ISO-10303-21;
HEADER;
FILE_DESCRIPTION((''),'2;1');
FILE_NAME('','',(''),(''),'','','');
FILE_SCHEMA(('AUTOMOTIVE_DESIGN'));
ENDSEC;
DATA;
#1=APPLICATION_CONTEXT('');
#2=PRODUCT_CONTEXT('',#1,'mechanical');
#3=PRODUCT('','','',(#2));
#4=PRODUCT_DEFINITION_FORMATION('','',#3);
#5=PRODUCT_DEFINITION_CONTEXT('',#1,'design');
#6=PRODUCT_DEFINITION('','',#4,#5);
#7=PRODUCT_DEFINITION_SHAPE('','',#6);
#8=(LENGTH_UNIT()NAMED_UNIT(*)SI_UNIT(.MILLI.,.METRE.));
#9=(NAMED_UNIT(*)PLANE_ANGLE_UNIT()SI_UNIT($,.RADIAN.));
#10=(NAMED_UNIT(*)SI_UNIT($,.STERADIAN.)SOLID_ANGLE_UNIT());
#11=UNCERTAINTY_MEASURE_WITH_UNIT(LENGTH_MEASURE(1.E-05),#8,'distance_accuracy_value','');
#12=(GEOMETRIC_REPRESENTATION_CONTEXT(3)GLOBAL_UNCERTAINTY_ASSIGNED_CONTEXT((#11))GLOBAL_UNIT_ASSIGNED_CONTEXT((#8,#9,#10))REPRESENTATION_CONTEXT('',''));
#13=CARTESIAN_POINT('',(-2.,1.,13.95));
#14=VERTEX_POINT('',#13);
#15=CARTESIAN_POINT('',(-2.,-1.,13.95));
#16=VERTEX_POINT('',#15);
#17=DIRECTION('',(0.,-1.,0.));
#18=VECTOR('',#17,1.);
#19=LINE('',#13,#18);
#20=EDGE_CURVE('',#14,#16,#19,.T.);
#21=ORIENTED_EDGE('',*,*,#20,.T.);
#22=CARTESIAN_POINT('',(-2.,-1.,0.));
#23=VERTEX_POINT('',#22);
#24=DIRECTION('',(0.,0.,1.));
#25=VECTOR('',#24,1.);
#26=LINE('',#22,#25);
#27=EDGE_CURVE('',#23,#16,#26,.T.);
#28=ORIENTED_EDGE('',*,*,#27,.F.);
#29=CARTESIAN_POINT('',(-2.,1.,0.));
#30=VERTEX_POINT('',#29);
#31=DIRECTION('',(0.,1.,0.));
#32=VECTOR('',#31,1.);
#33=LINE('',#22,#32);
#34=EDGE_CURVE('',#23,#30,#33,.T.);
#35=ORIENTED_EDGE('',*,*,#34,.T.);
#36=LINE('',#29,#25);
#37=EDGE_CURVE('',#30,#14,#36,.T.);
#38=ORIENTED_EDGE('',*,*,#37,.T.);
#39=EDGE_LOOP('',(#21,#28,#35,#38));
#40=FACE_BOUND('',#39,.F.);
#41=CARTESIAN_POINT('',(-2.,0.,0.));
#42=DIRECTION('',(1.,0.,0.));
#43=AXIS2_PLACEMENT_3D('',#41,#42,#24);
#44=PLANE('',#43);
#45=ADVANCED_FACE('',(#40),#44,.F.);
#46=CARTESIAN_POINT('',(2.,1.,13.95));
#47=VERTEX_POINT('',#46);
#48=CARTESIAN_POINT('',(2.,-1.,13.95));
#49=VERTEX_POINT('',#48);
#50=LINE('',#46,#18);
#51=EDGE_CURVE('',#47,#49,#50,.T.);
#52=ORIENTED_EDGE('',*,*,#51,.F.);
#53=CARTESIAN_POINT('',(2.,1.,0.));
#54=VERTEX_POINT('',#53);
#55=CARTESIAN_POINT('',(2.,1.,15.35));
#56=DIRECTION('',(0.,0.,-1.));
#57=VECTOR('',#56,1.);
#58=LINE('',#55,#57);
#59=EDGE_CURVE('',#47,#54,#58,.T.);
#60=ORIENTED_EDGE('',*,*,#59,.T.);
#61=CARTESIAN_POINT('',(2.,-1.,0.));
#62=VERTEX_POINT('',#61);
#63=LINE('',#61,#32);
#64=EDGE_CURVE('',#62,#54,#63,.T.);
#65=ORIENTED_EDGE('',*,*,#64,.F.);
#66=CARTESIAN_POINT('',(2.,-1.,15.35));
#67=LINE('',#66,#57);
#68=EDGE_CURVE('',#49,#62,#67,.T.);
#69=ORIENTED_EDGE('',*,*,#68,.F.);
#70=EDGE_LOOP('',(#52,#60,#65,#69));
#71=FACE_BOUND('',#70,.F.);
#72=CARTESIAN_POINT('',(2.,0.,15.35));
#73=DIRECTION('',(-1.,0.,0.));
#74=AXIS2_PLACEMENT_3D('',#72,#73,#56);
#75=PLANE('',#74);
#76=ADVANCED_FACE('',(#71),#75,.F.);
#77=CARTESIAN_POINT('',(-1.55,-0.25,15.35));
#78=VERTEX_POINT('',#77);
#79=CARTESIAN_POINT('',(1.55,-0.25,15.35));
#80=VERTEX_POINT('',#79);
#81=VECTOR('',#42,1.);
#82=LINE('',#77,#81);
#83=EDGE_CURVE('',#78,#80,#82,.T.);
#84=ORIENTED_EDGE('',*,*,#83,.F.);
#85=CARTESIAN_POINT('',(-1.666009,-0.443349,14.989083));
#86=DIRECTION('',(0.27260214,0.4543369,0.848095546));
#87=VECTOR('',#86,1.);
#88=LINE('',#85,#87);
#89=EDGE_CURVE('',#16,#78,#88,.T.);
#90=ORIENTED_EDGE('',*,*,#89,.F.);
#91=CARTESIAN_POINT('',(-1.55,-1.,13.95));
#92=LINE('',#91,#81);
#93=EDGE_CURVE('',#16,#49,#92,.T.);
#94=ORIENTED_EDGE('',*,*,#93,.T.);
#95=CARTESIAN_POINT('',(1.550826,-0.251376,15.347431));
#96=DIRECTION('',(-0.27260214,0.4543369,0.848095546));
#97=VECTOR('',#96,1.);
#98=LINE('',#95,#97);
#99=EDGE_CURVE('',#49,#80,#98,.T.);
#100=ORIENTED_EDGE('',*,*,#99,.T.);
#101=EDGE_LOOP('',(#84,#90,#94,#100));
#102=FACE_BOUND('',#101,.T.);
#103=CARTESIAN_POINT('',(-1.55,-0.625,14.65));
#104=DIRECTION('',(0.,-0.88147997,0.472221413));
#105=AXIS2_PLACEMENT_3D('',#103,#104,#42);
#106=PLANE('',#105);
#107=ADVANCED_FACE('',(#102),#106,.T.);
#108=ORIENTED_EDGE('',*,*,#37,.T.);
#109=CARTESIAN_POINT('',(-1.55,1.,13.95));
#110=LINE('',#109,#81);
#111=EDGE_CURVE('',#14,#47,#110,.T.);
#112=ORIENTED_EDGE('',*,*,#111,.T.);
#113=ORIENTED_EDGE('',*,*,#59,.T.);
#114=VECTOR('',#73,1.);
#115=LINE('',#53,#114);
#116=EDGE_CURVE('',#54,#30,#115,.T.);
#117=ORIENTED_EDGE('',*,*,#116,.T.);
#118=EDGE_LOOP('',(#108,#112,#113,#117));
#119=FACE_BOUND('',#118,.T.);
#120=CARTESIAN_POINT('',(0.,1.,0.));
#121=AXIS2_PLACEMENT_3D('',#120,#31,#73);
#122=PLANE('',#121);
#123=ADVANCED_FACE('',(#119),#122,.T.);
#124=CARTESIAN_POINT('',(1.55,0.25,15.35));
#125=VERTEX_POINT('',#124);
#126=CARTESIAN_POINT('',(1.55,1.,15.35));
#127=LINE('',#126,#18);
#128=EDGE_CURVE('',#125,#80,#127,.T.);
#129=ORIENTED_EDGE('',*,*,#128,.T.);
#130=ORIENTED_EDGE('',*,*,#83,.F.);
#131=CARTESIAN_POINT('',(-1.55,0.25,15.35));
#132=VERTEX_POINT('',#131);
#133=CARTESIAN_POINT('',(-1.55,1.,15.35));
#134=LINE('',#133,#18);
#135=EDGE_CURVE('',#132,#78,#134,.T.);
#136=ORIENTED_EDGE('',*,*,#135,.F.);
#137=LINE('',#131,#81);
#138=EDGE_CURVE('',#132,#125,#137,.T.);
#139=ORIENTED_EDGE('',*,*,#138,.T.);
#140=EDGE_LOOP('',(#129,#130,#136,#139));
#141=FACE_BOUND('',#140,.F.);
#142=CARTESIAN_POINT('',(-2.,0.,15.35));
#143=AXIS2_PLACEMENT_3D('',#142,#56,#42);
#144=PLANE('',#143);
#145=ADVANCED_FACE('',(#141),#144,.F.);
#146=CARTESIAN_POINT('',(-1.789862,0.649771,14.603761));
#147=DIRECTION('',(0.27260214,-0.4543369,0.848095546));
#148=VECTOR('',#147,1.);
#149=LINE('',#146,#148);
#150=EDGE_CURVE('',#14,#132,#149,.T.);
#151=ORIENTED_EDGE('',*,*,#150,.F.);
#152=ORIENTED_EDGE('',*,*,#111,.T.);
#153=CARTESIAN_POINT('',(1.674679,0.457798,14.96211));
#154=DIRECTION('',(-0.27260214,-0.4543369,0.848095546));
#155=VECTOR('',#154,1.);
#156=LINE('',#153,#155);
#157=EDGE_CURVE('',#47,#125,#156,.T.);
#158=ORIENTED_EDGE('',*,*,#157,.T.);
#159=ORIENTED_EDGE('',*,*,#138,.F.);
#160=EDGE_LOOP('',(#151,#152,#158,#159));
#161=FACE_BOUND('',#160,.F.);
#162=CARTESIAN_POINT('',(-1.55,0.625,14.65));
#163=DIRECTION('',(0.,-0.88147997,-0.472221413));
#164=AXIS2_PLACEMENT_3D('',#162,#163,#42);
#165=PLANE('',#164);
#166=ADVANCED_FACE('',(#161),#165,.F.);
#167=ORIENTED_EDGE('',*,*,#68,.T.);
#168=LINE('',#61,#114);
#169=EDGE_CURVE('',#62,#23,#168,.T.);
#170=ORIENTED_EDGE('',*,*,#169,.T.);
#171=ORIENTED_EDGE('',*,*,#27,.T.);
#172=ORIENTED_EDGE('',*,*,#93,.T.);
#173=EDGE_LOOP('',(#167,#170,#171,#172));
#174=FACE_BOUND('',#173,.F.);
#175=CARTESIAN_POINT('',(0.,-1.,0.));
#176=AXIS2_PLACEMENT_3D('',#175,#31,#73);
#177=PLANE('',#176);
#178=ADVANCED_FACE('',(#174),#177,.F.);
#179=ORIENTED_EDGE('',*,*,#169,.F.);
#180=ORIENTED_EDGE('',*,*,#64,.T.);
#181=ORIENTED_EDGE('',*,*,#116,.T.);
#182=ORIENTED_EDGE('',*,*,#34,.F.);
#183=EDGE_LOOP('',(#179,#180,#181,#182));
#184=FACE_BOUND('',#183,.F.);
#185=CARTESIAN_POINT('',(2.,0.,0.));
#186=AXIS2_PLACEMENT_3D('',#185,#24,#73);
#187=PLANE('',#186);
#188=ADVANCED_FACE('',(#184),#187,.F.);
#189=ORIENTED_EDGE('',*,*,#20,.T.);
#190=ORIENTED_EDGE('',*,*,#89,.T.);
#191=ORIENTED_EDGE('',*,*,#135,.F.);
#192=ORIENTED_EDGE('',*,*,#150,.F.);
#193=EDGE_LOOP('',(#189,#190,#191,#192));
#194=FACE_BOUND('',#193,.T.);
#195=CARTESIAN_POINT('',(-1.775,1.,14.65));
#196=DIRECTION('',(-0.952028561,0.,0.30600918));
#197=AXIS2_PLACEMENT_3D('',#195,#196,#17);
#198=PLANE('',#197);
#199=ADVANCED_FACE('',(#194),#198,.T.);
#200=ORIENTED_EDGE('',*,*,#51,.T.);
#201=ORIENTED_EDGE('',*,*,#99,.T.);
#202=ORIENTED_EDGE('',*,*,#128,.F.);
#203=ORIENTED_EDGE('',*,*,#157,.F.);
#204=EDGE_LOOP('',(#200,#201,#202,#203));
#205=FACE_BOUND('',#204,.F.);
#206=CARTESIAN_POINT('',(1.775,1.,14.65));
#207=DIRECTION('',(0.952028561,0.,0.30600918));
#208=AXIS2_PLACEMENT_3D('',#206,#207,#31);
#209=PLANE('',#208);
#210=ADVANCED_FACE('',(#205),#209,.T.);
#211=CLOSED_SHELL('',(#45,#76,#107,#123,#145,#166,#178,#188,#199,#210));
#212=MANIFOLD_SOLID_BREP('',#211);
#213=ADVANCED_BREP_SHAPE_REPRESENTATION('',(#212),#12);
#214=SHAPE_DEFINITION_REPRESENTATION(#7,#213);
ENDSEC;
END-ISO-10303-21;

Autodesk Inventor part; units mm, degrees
ref_plane "YZ Plane" through (0, 0, 0) normal (1, 0, 0) x (0, 1, 0)
ref_plane "XZ Plane" through (0, 0, 0) normal (0, 1, 0) x (-1, 0, 0)
ref_plane "XY Plane" through (0, 0, 0) normal (0, 0, 1) x (1, 0, 0)
sketch "Sketch1" plane through (0, 0, 0) normal (0, 1, 0) x (-1, 0, 0)
  line L0 (-2, 0) -> (2, 0)
  line L1 (2, 0) -> (2, 15.35)
  line L2 (2, 15.35) -> (-2, 15.35)
  line L3 (-2, 15.35) -> (-2, 0)
  point P0 (0, 0)
  point P1 (0, 0)
  dimension "d0" = 4
  dimension "d1" = 15.35
extrude "Extrusion1" add sketch "Sketch1" along normal mid plane 2
chamfer "Chamfer1" distance 1.4 distance2 0.45 1 edges at (-2, 0, 15.35) measured on face at (-2, 0.3333, 10.2333)
chamfer "Chamfer2" distance 1.4 distance2 0.45 1 edges at (2, 0, 15.35) measured on face at (2, -0.3333, 10.2333)
chamfer "Chamfer3" distance 1.4 distance2 0.75 1 edges at (0, 1, 15.35) measured on face at (0.6667, 1, 9.3)
chamfer "Chamfer4" distance 1.4 distance2 0.75 1 edges at (0, -1, 15.35) measured on face at (0.6667, -1, 9.3)
properties material "Nickel-Copper Alloy 400"
